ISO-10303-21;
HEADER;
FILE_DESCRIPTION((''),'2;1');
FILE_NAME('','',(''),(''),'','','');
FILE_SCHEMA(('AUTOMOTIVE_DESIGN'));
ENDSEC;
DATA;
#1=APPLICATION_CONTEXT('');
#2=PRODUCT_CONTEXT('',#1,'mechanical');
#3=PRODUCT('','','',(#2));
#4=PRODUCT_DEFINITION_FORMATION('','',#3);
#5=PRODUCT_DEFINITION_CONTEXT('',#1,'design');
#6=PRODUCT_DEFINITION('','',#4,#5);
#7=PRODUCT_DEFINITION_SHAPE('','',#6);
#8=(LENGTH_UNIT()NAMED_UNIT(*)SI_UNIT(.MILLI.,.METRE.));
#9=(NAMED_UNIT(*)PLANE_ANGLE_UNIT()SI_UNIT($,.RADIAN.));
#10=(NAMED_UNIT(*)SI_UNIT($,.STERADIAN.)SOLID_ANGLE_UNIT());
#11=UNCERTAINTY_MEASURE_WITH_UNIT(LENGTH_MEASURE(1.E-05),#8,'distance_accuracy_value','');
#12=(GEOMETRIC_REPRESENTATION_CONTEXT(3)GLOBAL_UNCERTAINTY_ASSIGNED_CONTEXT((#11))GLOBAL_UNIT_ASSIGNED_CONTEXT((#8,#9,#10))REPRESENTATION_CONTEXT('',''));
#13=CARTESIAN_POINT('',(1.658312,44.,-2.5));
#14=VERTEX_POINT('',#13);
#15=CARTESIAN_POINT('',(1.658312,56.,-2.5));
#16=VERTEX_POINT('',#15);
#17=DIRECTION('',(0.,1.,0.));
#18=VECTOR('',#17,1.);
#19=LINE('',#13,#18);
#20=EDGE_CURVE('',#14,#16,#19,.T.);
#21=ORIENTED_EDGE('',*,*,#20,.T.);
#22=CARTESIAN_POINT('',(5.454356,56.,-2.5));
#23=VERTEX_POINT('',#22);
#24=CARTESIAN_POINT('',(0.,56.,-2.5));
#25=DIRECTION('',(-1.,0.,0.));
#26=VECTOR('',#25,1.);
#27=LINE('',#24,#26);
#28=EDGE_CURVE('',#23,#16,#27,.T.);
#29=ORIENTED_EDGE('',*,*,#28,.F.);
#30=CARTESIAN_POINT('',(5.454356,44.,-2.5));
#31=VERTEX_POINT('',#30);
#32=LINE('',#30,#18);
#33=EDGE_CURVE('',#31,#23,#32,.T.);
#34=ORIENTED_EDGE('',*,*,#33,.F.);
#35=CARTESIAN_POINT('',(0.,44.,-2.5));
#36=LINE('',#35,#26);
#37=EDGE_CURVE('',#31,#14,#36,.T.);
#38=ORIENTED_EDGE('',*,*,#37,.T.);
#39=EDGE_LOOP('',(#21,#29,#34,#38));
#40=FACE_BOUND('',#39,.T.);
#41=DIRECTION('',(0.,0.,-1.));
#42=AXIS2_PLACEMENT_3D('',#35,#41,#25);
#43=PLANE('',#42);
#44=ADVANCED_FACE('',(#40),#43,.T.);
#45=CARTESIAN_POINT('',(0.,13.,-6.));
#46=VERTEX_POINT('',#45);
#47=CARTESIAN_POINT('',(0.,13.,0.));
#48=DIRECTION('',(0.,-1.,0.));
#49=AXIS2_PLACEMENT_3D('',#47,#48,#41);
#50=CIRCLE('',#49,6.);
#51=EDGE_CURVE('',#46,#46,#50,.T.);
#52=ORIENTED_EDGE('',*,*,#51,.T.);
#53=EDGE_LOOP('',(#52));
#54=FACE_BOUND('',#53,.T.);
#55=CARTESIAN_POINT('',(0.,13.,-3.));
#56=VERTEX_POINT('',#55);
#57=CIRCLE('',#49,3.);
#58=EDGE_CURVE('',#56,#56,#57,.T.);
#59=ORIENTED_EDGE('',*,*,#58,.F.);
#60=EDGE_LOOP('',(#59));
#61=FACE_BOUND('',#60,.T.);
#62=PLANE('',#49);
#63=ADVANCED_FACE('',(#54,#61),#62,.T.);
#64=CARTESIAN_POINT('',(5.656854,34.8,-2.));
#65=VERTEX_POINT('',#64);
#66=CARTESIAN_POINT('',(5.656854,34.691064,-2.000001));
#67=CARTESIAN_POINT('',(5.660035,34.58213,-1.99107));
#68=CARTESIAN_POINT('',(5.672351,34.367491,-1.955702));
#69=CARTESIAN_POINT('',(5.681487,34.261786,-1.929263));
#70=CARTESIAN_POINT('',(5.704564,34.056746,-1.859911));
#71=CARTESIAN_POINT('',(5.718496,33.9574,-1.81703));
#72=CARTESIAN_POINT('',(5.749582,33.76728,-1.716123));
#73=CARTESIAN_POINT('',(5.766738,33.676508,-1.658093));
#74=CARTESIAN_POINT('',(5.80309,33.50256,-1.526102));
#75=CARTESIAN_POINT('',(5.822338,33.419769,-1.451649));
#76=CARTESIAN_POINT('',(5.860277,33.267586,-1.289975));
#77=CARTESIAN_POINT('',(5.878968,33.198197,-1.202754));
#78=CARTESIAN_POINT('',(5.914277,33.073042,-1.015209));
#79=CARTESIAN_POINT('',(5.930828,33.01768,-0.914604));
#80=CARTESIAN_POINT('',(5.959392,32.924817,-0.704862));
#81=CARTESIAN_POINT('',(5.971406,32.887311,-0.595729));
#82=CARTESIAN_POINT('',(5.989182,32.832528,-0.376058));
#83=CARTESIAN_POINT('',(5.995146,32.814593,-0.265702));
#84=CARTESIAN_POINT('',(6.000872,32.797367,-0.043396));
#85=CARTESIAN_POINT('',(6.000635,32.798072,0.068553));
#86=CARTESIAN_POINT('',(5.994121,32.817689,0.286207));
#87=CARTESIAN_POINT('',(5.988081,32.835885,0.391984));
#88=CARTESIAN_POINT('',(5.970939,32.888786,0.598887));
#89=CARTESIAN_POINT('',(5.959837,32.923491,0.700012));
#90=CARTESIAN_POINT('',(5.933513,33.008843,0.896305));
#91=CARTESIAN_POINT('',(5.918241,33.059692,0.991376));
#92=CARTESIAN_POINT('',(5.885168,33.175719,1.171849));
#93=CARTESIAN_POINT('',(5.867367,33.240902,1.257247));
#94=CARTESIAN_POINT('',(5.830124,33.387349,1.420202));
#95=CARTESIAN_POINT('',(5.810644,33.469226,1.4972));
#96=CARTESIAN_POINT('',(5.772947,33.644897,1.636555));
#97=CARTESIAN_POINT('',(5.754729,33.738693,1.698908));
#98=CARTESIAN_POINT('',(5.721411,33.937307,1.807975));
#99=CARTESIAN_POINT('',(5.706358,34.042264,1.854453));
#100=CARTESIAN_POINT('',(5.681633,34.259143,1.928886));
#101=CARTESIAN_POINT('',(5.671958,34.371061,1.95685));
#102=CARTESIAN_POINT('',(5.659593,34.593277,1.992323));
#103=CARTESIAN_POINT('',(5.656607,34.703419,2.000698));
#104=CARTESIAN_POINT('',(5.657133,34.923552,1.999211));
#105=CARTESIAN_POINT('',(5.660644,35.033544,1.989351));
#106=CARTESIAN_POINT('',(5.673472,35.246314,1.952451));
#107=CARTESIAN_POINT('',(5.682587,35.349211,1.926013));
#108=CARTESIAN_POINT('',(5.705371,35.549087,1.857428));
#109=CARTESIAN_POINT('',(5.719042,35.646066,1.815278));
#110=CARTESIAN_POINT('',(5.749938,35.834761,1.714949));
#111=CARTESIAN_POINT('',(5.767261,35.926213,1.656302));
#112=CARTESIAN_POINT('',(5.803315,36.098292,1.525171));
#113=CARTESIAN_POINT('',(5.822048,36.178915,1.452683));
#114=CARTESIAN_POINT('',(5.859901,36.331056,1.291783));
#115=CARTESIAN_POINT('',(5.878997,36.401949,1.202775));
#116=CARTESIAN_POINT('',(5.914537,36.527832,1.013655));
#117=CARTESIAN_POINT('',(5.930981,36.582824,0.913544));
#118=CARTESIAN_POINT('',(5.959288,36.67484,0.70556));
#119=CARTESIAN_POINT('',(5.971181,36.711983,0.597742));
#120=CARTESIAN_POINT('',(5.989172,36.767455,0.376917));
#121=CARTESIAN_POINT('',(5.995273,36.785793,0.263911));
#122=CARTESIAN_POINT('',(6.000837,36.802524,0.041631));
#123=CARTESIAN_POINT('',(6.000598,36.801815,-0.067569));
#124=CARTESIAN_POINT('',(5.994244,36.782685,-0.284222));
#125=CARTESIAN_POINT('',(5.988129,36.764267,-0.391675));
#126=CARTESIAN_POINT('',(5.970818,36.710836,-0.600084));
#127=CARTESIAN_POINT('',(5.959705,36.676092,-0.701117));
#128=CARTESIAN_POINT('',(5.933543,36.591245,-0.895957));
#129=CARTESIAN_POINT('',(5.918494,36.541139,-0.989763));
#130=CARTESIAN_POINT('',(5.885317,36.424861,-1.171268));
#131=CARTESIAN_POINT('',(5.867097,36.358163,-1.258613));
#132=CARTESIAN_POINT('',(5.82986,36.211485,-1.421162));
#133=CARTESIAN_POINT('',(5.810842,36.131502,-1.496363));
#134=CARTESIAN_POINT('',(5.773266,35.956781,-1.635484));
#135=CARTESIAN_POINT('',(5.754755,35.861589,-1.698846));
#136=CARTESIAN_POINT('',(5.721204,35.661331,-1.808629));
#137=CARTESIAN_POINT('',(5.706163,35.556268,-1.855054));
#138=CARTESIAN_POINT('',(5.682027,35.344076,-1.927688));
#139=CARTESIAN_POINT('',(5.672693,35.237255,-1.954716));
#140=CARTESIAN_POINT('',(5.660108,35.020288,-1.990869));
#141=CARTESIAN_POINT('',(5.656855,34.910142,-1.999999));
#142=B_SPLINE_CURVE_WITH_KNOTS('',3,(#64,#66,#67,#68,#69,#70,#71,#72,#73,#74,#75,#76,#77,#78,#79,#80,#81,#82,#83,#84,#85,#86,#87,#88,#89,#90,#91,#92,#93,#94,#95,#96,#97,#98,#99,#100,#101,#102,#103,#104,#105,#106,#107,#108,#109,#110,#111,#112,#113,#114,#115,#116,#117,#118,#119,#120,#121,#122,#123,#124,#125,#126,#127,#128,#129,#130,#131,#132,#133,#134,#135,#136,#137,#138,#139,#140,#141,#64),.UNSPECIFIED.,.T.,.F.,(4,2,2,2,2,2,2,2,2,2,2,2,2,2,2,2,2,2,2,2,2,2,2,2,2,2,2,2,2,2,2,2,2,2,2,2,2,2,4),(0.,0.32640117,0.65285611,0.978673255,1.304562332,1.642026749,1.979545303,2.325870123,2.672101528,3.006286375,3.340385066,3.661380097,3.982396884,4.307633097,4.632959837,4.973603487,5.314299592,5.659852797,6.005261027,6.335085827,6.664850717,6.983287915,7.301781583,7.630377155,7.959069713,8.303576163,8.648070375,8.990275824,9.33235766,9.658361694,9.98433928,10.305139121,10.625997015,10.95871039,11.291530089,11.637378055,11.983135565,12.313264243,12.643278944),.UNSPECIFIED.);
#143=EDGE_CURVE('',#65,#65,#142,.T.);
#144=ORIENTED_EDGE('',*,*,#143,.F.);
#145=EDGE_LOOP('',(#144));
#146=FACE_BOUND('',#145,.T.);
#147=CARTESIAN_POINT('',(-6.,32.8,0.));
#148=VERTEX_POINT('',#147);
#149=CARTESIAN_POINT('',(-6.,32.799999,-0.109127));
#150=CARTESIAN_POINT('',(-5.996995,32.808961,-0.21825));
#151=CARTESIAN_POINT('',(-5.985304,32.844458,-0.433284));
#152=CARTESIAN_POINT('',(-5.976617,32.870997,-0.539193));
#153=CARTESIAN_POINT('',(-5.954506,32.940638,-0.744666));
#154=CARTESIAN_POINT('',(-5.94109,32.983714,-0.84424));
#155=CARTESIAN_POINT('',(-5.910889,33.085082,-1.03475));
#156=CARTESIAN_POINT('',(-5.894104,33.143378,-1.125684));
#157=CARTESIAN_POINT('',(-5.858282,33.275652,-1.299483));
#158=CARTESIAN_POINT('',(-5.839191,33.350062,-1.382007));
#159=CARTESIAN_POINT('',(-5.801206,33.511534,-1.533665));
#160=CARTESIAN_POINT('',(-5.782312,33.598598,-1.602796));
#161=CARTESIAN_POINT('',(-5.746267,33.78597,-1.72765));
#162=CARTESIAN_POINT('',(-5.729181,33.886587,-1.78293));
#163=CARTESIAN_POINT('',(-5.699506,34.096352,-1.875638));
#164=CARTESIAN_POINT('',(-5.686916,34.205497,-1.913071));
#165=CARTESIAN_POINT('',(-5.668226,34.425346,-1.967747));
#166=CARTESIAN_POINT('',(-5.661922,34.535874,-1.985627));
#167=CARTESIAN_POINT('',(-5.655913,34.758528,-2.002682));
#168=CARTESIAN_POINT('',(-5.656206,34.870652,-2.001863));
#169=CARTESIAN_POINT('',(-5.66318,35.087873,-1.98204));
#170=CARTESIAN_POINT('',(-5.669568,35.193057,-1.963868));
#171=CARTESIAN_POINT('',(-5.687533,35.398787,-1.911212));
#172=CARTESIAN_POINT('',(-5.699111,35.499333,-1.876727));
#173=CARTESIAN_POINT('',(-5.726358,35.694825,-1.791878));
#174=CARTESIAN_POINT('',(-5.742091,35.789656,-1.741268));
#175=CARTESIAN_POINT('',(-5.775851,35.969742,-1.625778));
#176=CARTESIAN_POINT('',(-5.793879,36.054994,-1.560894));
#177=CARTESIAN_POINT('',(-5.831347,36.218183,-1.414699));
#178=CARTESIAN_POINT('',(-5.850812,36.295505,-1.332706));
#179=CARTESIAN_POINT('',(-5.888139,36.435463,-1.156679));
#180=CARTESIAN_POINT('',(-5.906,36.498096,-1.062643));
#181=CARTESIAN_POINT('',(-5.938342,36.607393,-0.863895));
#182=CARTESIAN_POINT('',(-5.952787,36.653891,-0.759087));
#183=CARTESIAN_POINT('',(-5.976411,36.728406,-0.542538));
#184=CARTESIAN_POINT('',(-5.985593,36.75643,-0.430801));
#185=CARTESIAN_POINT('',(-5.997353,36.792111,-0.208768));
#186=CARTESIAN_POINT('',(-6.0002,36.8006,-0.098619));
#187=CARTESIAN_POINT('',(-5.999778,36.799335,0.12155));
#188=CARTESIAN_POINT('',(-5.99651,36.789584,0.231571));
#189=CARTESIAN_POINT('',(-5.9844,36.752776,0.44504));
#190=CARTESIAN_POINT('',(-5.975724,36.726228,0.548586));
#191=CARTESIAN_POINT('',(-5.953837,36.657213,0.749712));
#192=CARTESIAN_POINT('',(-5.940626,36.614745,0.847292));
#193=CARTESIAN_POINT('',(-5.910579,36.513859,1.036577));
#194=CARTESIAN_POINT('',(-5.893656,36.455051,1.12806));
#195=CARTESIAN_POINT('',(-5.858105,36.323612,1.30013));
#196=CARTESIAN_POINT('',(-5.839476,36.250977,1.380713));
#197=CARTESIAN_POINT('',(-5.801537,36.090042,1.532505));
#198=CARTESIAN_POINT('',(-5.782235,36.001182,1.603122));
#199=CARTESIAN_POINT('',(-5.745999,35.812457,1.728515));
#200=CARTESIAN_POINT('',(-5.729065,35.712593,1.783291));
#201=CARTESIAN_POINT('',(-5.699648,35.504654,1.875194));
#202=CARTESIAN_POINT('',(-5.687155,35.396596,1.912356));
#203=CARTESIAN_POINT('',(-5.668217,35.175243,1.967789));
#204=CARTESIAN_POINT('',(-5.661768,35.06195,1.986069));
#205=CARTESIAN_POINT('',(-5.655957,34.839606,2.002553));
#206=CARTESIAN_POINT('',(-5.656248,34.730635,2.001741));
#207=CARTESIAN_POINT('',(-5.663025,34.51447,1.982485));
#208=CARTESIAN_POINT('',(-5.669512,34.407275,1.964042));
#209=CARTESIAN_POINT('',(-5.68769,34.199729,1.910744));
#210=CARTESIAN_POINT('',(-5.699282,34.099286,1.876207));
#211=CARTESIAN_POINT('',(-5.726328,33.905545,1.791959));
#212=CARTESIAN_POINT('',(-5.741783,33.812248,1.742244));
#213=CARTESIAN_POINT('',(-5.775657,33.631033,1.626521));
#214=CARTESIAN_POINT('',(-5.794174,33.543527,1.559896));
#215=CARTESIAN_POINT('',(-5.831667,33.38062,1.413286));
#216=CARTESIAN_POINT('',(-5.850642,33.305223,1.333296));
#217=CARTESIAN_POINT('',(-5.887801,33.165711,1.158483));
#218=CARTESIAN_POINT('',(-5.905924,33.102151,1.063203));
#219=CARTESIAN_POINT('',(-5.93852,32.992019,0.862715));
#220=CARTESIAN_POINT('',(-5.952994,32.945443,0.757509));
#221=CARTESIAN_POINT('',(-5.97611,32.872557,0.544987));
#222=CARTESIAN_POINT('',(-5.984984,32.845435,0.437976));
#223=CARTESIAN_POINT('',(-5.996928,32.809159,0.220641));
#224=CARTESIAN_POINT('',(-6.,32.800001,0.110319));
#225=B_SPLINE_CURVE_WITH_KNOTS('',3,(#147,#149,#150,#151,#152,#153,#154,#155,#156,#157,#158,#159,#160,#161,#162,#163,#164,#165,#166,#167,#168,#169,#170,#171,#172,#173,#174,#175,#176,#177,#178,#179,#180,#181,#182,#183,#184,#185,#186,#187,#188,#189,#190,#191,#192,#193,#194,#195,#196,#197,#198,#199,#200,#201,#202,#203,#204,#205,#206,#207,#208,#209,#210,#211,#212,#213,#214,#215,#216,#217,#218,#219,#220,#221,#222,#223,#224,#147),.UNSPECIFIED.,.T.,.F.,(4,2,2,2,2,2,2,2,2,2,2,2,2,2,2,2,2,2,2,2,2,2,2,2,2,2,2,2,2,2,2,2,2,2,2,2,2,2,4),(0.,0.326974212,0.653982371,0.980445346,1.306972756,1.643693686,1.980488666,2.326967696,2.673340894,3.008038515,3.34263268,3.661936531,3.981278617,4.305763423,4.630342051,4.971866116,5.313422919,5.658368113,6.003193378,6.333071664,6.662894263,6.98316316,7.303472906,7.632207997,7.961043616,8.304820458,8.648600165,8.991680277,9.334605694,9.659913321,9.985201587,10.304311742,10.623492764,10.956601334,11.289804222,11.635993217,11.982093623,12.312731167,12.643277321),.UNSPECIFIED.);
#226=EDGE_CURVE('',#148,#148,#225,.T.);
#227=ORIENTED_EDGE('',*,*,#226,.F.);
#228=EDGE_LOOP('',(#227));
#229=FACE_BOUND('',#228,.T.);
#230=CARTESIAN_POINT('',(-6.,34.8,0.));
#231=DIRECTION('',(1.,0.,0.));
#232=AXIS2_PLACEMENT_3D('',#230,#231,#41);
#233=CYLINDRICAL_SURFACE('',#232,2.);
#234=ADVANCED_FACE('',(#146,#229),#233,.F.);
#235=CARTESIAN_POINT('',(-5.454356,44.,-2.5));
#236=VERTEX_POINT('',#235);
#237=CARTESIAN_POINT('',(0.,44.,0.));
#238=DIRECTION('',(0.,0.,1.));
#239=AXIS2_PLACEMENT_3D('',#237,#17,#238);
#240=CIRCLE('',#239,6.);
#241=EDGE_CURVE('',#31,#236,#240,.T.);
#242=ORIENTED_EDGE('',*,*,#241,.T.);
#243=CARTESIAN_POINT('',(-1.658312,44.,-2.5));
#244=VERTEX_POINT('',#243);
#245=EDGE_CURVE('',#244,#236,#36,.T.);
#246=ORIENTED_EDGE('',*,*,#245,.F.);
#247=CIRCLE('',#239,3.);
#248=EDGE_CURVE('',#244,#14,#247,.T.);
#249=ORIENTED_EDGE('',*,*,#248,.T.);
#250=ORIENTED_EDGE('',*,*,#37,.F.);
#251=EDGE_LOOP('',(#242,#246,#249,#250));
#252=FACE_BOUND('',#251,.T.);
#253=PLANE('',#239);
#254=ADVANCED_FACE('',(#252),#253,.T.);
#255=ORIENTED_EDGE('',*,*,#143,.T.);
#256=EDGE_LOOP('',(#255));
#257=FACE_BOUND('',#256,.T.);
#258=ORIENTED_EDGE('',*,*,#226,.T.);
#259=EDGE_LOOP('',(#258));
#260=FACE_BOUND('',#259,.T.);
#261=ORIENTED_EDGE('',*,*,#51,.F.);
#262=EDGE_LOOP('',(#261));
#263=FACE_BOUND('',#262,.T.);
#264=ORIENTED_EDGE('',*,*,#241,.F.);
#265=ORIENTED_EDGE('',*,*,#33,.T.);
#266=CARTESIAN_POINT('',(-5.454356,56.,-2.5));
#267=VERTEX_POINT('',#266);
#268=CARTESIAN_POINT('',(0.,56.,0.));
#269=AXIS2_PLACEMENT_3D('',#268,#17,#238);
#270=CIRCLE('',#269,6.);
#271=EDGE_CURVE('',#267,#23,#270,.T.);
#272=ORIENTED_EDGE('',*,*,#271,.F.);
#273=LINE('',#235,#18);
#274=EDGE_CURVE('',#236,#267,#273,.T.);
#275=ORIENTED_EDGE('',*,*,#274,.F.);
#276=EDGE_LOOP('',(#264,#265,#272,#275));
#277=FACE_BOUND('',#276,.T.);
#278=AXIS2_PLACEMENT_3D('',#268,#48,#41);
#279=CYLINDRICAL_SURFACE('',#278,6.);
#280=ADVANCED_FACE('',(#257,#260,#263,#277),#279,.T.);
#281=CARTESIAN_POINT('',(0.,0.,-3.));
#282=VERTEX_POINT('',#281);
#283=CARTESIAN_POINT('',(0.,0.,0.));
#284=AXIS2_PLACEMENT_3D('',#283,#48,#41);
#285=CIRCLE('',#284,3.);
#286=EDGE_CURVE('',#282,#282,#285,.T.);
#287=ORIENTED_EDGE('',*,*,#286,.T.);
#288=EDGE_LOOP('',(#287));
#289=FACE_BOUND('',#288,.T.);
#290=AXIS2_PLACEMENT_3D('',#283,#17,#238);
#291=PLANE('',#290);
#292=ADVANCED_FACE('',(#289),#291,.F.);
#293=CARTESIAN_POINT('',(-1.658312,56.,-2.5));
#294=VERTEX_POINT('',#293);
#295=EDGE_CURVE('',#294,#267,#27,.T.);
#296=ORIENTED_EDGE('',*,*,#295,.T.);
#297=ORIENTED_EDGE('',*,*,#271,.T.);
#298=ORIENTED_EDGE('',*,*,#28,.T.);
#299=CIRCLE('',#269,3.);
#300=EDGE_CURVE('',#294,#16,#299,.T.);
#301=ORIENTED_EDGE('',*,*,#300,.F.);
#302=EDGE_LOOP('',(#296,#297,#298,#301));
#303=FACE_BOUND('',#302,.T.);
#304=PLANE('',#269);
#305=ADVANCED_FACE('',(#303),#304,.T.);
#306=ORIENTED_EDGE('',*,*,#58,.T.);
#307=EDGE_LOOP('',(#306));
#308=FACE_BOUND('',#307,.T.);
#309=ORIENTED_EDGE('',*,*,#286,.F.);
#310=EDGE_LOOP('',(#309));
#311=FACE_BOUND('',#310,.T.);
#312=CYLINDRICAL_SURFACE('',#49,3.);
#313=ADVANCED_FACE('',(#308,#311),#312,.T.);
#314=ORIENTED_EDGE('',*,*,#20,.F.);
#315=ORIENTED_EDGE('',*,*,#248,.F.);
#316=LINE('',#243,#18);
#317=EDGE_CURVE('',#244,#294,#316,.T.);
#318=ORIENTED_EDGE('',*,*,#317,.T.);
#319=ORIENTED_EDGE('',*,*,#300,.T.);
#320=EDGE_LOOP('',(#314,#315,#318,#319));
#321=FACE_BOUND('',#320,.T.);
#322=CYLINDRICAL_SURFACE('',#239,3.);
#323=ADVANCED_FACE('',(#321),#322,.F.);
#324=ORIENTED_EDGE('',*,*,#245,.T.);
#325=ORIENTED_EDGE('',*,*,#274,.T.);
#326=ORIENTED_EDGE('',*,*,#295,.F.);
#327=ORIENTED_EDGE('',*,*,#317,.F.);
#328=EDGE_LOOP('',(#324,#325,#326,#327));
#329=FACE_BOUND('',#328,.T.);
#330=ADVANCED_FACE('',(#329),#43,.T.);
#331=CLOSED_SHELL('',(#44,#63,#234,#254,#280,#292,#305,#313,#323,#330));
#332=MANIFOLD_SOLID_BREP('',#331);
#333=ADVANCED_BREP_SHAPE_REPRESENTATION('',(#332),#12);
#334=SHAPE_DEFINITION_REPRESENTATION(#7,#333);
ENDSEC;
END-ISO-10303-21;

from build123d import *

# Parameters (mm, degrees)
SKETCH_1_R               = 6
EXTRUDE_1_DEPTH          = 56
CUT_EXTRUDE_START        = -12
CUT_EXTRUDE_1_DEPTH      = 12
SKETCH_3_R               = 6
SKETCH_3_R_2             = 3
CUT_EXTRUDE_2_DEPTH      = 13
CUT_EXTRUDE_6_DEPTH      = 57.639209034
CUT_EXTRUDE_6_DEPTH_BACK = 57.639209034
SKETCH_6_R               = 2


with BuildPart() as part:
    # ｽｹｯﾁ1 → ﾎﾞｽ - 押し出し1 (new body)
    with BuildSketch(Plane(origin=(0, 0, 0), x_dir=(1, 0, 0), z_dir=(0, 1, 0))):
        with Locations(Location((0, 0, 0), (0, 0, 270))):
            Circle(SKETCH_1_R)
    extrude(amount=EXTRUDE_1_DEPTH)

    # ｽｹｯﾁ2 → ｶｯﾄ - 押し出し1 (cut)
    with BuildSketch(Plane(origin=(0, 56, 0), x_dir=(1, 0, 0), z_dir=(0, 1, 0)).offset(CUT_EXTRUDE_START)):
        with BuildLine():
            Line((1.658312395, 2.5), (5.454356057, 2.5))
            ThreePointArc((5.454356057, 2.5), (0, 6), (-5.454356057, 2.5))
            Line((-5.454356057, 2.5), (-1.658312395, 2.5))
            ThreePointArc((-1.658312395, 2.5), (0, -3), (1.658312395, 2.5))
        make_face()
    extrude(amount=CUT_EXTRUDE_1_DEPTH, mode=Mode.SUBTRACT)

    # ｽｹｯﾁ3 → ｶｯﾄ - 押し出し2 (cut)
    with BuildSketch(Plane.XZ):
        with Locations(Location((0, 0, 0), (0, 0, 270))):
            Circle(SKETCH_3_R)
        with Locations(Location((0, 0, 0), (0, 0, 270))):
            Circle(SKETCH_3_R_2, mode=Mode.SUBTRACT)
    extrude(amount=-CUT_EXTRUDE_2_DEPTH, mode=Mode.SUBTRACT)

    # ｽｹｯﾁ6 → ｶｯﾄ - 押し出し6 (cut, two sides: drawn at the far end of the back side and taken through both)
    with BuildSketch(Plane(origin=(0, 0, 0), x_dir=(0, 0, -1), z_dir=(1, 0, 0)).offset(-CUT_EXTRUDE_6_DEPTH_BACK)):
        with Locations((0, 34.8)):
            Circle(SKETCH_6_R)
    extrude(amount=CUT_EXTRUDE_6_DEPTH + CUT_EXTRUDE_6_DEPTH_BACK, mode=Mode.SUBTRACT)


solid = part.part
